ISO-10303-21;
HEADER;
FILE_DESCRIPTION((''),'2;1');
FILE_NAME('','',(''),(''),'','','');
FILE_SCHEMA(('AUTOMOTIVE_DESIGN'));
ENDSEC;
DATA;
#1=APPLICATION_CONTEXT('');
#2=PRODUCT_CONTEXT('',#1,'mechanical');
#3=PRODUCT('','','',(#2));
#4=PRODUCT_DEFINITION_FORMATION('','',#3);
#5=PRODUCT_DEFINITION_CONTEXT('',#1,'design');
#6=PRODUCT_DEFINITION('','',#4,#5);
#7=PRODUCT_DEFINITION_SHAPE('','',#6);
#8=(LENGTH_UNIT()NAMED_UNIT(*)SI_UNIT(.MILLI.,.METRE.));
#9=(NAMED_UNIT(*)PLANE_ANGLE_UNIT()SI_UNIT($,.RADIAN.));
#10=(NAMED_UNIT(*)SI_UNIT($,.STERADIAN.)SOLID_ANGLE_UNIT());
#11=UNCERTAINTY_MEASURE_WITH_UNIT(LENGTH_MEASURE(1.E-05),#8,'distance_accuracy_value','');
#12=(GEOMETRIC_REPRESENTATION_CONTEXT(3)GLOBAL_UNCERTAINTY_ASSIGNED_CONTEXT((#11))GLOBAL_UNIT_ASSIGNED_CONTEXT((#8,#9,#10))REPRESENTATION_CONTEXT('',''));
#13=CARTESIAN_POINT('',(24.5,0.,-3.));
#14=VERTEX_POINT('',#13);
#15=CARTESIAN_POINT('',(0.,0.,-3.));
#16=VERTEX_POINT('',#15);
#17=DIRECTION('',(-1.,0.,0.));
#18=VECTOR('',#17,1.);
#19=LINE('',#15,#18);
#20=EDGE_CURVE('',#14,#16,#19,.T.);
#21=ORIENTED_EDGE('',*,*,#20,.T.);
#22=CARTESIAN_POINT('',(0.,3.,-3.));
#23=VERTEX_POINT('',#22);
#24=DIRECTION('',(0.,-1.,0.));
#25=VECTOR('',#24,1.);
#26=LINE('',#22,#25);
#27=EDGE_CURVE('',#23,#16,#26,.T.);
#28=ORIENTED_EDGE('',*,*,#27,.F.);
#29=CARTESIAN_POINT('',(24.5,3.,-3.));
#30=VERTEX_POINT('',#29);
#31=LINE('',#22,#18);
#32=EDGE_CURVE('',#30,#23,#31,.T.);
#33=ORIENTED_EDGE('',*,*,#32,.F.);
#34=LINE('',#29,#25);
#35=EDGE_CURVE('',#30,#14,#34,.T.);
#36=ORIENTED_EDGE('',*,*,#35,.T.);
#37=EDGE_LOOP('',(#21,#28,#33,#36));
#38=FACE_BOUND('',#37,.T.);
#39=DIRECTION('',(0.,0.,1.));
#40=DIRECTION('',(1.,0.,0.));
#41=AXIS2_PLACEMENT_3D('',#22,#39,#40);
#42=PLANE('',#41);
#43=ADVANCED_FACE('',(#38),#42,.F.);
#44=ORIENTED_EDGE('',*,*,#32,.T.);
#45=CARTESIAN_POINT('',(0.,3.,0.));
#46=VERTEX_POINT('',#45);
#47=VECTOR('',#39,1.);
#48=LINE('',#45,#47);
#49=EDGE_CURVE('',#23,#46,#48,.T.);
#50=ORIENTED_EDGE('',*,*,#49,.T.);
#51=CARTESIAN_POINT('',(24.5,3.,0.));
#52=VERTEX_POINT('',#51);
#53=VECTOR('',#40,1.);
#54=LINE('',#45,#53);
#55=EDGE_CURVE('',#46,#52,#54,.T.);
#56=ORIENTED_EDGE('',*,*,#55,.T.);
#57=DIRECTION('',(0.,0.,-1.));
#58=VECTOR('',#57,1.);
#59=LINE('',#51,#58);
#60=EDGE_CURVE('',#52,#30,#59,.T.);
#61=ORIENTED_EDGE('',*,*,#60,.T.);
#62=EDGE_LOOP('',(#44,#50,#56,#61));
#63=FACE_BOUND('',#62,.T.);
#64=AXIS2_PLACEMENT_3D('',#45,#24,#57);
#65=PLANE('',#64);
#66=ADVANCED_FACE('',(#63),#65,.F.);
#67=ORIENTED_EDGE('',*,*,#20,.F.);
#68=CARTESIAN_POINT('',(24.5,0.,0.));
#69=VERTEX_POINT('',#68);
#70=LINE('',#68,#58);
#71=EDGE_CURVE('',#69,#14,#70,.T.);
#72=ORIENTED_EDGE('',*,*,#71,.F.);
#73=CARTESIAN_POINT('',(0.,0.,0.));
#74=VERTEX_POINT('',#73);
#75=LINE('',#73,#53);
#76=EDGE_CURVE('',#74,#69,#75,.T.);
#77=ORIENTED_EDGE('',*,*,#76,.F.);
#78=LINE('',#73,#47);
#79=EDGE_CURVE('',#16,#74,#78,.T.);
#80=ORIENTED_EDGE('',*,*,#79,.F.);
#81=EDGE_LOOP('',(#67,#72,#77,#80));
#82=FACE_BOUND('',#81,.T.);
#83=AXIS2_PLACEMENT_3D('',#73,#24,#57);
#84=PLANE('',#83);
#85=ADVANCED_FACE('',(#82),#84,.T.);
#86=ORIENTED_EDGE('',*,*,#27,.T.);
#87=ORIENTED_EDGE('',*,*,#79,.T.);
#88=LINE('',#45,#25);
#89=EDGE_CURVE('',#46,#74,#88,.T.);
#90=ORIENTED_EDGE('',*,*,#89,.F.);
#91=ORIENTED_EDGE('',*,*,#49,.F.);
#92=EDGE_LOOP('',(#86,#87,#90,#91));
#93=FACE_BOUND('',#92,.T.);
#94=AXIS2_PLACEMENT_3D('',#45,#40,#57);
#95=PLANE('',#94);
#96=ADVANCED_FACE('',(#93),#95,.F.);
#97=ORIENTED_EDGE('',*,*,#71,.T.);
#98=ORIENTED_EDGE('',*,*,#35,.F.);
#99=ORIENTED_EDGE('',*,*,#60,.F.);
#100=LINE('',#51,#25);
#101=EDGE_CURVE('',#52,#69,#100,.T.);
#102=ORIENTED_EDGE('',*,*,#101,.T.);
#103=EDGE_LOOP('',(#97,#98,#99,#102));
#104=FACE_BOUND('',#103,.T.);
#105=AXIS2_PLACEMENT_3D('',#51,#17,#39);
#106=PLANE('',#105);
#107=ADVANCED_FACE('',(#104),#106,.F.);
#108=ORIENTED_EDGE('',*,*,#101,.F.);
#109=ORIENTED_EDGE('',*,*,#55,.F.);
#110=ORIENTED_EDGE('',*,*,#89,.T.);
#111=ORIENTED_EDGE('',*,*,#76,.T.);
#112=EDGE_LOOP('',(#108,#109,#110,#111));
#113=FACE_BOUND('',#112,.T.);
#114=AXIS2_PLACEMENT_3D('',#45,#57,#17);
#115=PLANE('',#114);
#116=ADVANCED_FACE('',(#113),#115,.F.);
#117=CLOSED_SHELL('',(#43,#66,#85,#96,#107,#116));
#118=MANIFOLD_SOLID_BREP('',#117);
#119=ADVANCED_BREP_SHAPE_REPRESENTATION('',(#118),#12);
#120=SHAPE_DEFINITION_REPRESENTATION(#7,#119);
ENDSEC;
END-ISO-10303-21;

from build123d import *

# Parameters (mm, degrees)
SKETCH1_W           = 24.5
SKETCH1_H           = 3
BOSS_EXTRUDE1_DEPTH = 3


with BuildPart() as part:
    # Sketch1 → Boss-Extrude1 (new body)
    with BuildSketch(Plane(origin=(0, 0, 0), x_dir=(1, 0, 0), z_dir=(0, 1, 0))):
        with Locations((12.25, 1.5)):
            Rectangle(SKETCH1_W, SKETCH1_H)
    extrude(amount=BOSS_EXTRUDE1_DEPTH)


solid = part.part
